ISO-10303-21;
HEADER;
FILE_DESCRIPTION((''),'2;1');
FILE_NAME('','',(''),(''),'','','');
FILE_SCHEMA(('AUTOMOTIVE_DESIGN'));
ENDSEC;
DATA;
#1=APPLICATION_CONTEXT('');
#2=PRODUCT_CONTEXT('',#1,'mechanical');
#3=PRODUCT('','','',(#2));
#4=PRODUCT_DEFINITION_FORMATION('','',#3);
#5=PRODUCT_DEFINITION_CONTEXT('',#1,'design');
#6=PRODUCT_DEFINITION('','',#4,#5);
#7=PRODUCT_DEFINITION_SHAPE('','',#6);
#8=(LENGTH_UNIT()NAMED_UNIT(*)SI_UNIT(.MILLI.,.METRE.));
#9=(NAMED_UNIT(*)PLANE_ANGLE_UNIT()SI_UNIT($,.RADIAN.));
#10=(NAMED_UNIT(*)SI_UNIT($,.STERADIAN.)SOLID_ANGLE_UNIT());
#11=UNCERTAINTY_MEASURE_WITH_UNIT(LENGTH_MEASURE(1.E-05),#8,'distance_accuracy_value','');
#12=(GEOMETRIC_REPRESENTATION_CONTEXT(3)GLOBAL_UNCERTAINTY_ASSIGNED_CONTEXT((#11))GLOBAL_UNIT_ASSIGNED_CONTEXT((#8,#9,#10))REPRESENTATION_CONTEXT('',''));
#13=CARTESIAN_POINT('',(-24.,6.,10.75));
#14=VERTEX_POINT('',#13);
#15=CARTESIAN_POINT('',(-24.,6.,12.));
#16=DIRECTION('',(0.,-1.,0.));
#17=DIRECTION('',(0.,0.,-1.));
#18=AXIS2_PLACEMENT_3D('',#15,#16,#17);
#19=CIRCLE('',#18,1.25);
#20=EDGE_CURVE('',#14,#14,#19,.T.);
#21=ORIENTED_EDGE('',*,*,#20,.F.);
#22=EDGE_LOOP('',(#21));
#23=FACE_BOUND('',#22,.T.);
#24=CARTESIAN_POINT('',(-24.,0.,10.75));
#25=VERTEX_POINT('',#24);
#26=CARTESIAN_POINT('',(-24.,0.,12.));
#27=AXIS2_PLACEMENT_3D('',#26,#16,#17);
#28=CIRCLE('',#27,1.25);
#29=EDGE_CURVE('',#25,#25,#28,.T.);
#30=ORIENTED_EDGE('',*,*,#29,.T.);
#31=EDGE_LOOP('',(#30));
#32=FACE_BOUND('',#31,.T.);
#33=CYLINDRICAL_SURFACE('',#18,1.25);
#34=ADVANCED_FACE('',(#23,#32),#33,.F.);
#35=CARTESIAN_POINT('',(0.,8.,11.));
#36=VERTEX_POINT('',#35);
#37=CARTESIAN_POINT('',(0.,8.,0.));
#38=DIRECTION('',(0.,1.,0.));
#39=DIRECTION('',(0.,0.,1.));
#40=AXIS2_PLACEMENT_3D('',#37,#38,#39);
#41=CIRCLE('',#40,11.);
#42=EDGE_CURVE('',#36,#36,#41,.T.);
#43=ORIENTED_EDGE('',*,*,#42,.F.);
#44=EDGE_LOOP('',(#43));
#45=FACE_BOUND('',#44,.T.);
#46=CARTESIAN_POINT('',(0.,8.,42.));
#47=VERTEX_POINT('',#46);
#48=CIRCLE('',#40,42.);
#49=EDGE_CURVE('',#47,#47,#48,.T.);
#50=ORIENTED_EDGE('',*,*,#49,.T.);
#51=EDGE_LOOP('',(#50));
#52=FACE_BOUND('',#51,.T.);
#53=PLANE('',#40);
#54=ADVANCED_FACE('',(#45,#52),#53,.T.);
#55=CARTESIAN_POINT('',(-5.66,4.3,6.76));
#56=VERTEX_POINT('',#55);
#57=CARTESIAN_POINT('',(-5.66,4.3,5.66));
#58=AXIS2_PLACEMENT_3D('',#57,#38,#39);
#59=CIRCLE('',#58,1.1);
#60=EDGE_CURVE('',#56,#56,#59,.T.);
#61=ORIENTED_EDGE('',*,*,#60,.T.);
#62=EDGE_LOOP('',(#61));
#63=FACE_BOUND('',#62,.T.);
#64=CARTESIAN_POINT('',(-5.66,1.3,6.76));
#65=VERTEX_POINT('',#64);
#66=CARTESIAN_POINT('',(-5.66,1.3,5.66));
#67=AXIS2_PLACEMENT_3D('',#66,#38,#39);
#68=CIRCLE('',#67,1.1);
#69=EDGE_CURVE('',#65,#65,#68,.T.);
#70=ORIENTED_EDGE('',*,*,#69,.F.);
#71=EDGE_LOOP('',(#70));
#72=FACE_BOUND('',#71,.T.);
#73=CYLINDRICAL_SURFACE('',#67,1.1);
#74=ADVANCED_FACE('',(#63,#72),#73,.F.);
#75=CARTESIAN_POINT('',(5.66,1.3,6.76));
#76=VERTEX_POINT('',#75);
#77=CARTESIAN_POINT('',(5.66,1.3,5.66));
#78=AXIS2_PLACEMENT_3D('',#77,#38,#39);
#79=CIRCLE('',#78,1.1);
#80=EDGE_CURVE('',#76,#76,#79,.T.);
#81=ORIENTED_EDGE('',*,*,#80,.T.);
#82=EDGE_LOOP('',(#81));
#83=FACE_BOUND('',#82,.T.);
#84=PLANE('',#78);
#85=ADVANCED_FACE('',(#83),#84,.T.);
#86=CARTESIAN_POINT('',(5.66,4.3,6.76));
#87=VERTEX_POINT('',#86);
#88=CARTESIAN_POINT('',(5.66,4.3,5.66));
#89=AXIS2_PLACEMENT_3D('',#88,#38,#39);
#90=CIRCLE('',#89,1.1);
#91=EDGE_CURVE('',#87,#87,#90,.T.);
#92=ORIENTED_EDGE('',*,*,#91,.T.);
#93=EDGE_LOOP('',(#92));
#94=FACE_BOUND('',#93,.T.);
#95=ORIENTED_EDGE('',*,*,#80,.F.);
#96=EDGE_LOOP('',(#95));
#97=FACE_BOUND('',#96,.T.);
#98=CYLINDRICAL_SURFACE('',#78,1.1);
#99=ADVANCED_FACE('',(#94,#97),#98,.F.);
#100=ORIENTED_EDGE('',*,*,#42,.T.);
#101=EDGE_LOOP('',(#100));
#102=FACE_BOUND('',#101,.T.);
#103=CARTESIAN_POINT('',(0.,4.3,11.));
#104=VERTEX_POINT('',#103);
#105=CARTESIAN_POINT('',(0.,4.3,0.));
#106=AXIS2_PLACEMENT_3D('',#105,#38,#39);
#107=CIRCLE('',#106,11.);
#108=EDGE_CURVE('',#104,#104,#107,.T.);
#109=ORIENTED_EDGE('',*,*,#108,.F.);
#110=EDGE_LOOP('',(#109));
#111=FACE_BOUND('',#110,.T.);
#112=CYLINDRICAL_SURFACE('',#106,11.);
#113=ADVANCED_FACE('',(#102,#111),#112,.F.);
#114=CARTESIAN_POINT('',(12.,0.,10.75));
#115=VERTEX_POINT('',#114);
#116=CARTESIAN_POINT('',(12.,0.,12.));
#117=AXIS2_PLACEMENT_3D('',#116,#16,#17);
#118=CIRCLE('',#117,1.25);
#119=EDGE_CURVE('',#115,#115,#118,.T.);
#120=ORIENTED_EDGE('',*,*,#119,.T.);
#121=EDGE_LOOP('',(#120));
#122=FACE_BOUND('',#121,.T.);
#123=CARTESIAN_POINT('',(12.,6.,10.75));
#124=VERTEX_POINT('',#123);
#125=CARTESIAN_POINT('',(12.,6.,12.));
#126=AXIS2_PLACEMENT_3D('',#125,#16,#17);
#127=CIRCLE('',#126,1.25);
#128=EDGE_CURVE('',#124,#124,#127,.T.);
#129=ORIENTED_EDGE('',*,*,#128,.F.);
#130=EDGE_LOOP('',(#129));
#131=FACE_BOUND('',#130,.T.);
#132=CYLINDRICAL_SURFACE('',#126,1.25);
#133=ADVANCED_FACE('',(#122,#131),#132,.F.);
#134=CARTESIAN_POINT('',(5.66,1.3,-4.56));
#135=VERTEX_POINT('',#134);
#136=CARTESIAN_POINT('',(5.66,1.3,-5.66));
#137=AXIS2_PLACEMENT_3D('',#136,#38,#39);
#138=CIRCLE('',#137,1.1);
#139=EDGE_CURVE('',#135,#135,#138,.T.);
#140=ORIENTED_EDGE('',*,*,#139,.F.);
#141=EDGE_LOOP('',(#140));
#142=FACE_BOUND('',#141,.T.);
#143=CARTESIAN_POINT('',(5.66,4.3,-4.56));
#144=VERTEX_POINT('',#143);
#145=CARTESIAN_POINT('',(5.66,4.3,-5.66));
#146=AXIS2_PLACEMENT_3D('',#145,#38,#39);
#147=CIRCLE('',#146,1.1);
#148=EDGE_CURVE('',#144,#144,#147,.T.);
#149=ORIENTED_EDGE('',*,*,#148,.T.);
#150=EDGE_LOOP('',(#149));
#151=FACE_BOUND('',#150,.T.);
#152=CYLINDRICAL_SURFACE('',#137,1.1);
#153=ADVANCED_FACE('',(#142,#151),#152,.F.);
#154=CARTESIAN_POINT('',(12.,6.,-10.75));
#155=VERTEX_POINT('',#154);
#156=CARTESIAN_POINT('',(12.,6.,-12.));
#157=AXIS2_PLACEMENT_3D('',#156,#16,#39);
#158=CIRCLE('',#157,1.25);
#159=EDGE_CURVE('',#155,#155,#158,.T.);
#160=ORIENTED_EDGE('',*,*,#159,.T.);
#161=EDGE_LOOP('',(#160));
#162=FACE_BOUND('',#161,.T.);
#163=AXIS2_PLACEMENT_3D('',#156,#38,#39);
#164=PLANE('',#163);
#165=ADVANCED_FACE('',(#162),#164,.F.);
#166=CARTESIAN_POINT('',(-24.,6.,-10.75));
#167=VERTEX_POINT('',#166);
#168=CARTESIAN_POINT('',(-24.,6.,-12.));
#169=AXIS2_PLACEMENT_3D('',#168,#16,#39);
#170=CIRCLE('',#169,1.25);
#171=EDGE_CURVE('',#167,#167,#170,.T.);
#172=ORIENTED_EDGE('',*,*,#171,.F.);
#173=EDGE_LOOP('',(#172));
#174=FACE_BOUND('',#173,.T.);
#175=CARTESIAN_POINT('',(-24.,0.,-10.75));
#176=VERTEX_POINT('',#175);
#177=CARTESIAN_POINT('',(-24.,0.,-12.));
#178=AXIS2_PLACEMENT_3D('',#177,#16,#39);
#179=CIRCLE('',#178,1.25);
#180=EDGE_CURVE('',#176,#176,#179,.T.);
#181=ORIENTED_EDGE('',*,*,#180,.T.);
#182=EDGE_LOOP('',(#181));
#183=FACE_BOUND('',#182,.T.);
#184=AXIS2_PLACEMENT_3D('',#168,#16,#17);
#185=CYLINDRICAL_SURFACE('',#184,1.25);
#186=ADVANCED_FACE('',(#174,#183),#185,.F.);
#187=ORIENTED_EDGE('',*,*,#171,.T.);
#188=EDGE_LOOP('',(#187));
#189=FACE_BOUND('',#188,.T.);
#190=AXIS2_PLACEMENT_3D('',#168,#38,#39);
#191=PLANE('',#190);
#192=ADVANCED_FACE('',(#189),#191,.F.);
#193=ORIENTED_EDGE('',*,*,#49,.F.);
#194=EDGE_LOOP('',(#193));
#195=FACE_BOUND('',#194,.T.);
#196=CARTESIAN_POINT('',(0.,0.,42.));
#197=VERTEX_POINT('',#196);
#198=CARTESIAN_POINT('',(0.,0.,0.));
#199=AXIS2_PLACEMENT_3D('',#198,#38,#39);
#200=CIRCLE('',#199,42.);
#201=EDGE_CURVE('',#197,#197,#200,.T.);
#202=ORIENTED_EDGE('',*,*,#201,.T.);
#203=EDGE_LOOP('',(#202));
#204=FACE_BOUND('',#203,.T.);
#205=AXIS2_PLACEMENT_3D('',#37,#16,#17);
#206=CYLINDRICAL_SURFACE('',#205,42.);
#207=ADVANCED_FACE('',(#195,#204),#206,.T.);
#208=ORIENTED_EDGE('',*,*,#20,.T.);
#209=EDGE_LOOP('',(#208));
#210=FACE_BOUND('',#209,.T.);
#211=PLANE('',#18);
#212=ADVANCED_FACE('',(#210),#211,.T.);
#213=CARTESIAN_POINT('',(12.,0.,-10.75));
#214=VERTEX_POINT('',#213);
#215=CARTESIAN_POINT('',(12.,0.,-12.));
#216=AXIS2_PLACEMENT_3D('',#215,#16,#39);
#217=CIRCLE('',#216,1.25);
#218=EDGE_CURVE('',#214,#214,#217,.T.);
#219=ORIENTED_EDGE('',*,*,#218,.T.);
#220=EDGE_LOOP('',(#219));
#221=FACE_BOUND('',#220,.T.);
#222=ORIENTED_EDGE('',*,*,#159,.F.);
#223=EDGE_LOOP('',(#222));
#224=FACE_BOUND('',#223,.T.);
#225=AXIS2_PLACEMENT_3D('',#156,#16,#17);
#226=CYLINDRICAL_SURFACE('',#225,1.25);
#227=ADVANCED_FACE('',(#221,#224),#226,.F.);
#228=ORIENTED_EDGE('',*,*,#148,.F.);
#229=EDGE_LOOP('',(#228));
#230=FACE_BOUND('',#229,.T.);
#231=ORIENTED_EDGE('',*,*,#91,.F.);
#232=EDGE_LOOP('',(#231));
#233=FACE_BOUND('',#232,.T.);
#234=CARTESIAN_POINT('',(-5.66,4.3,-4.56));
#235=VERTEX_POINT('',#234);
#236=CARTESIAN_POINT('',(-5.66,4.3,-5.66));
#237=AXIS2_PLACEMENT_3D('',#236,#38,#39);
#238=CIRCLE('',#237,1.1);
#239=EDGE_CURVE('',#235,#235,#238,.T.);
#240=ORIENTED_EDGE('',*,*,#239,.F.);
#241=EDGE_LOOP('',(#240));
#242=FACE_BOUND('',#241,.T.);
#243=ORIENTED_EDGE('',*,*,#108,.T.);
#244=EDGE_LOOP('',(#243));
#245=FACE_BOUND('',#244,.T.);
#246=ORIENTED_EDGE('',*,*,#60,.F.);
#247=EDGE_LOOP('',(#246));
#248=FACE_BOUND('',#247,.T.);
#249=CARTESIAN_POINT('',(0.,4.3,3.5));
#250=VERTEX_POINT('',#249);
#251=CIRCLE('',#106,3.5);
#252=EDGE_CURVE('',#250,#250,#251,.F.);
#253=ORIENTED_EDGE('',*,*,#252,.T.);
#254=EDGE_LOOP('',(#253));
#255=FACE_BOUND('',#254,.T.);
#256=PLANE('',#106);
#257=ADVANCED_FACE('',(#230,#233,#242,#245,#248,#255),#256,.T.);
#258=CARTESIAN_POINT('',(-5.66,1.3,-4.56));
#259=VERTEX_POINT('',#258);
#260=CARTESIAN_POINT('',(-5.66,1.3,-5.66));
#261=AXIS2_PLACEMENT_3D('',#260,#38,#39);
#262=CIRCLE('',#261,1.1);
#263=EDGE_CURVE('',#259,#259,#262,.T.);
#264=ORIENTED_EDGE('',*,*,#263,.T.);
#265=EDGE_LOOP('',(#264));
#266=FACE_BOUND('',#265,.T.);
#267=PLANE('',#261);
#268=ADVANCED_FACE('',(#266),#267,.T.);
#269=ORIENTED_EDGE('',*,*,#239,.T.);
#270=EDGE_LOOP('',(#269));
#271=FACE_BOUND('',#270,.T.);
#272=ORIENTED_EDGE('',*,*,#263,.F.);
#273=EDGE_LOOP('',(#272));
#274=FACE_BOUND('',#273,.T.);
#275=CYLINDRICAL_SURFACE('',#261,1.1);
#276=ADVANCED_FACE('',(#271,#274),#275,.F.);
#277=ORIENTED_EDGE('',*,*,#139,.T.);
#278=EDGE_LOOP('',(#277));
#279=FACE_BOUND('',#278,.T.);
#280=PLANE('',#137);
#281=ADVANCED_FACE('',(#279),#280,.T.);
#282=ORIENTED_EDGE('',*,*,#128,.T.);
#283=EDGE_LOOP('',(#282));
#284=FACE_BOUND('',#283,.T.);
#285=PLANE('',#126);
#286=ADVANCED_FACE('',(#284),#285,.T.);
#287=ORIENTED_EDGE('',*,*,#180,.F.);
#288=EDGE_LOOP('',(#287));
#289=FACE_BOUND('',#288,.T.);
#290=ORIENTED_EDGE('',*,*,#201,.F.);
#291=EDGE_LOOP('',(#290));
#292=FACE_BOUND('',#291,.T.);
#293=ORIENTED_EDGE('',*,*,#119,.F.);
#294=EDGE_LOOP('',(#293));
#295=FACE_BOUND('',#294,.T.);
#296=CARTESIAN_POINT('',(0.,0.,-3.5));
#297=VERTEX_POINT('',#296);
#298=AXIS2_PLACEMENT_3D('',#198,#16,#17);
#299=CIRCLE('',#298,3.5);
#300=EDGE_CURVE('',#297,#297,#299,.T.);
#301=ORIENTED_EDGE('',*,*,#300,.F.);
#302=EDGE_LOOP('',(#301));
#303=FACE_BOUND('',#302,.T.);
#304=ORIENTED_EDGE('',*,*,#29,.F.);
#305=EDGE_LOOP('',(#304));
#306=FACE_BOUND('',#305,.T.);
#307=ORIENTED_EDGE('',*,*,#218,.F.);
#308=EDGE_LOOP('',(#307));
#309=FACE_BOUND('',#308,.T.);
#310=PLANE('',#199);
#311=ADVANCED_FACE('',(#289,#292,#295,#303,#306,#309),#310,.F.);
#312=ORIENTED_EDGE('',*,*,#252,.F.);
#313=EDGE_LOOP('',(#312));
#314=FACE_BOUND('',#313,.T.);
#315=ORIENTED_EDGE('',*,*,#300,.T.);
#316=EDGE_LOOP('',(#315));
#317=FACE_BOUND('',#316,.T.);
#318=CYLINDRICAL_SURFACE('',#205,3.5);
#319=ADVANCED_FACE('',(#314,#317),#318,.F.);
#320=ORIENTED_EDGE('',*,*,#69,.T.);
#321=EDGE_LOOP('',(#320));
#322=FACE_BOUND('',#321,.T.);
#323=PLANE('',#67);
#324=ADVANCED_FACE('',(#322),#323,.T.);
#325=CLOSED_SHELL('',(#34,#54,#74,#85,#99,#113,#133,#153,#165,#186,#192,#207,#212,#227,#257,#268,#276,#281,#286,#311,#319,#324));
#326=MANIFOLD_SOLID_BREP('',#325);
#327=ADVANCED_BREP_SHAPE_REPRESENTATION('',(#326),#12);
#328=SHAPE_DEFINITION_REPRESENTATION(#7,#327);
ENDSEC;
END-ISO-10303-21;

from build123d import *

# Parameters (mm, degrees)
SCHIZZO1_R                   = 42
ESTRUSIONE_ESTRUSIONE1_DEPTH = 8
SCHIZZO2_R                   = 3.5
TAGLIO_ESTRUSIONE1_DEPTH     = 60.933296255
SCHIZZO4_R                   = 11
TAGLIO_ESTRUSIONE2_DEPTH     = 3.7
SCHIZZO5_R                   = 1.1
TAGLIO_ESTRUSIONE3_DEPTH     = 3
SCHIZZO6_R                   = 1.25
TAGLIO_ESTRUSIONE4_DEPTH     = 6


with BuildPart() as part:
    # Schizzo1 → Estrusione-Estrusione1 (new body)
    with BuildSketch(Plane(origin=(0, 0, 0), x_dir=(1, 0, 0), z_dir=(0, 1, 0))):
        with Locations(Location((0, 0, 0), (0, 0, 270))):
            Circle(SCHIZZO1_R)
    extrude(amount=ESTRUSIONE_ESTRUSIONE1_DEPTH)

    # Schizzo2 → Taglio-Estrusione1 (cut, through all)
    with BuildSketch(Plane.XZ):
        with Locations(Location((0, 0, 0), (0, 0, 270))):
            Circle(SCHIZZO2_R)
    extrude(amount=-TAGLIO_ESTRUSIONE1_DEPTH, mode=Mode.SUBTRACT)

    # Schizzo4 → Taglio-Estrusione2 (cut)
    with BuildSketch(Plane(origin=(0, 8, 0), x_dir=(1, 0, 0), z_dir=(0, 1, 0))):
        with Locations(Location((0, 0, 0), (0, 0, 270))):
            Circle(SCHIZZO4_R)
    extrude(amount=-TAGLIO_ESTRUSIONE2_DEPTH, mode=Mode.SUBTRACT)

    # Schizzo5 → Taglio-Estrusione3 (cut)
    with BuildSketch(Plane(origin=(0, 4.3, 0), x_dir=(1, 0, 0), z_dir=(0, 1, 0))):
        with Locations(Location((-5.66, 5.66, 0), (0, 0, 270))):
            Circle(SCHIZZO5_R)
        with Locations(Location((5.66, 5.66, 0), (0, 0, 270))):
            Circle(SCHIZZO5_R)
        with Locations(Location((5.66, -5.66, 0), (0, 0, 270))):
            Circle(SCHIZZO5_R)
        with Locations(Location((-5.66, -5.66, 0), (0, 0, 270))):
            Circle(SCHIZZO5_R)
    extrude(amount=-TAGLIO_ESTRUSIONE3_DEPTH, mode=Mode.SUBTRACT)

    # Schizzo6 → Taglio-Estrusione4 (cut)
    with BuildSketch(Plane.XZ):
        with Locations(Location((12, 12, 0), (0, 0, 270))):
            Circle(SCHIZZO6_R)
        with Locations(Location((12, -12, 0), (0, 0, 90))):
            Circle(SCHIZZO6_R)
        with Locations(Location((-24, 12, 0), (0, 0, 270))):
            Circle(SCHIZZO6_R)
        with Locations(Location((-24, -12, 0), (0, 0, 90))):
            Circle(SCHIZZO6_R)
    extrude(amount=-TAGLIO_ESTRUSIONE4_DEPTH, mode=Mode.SUBTRACT)


solid = part.part
